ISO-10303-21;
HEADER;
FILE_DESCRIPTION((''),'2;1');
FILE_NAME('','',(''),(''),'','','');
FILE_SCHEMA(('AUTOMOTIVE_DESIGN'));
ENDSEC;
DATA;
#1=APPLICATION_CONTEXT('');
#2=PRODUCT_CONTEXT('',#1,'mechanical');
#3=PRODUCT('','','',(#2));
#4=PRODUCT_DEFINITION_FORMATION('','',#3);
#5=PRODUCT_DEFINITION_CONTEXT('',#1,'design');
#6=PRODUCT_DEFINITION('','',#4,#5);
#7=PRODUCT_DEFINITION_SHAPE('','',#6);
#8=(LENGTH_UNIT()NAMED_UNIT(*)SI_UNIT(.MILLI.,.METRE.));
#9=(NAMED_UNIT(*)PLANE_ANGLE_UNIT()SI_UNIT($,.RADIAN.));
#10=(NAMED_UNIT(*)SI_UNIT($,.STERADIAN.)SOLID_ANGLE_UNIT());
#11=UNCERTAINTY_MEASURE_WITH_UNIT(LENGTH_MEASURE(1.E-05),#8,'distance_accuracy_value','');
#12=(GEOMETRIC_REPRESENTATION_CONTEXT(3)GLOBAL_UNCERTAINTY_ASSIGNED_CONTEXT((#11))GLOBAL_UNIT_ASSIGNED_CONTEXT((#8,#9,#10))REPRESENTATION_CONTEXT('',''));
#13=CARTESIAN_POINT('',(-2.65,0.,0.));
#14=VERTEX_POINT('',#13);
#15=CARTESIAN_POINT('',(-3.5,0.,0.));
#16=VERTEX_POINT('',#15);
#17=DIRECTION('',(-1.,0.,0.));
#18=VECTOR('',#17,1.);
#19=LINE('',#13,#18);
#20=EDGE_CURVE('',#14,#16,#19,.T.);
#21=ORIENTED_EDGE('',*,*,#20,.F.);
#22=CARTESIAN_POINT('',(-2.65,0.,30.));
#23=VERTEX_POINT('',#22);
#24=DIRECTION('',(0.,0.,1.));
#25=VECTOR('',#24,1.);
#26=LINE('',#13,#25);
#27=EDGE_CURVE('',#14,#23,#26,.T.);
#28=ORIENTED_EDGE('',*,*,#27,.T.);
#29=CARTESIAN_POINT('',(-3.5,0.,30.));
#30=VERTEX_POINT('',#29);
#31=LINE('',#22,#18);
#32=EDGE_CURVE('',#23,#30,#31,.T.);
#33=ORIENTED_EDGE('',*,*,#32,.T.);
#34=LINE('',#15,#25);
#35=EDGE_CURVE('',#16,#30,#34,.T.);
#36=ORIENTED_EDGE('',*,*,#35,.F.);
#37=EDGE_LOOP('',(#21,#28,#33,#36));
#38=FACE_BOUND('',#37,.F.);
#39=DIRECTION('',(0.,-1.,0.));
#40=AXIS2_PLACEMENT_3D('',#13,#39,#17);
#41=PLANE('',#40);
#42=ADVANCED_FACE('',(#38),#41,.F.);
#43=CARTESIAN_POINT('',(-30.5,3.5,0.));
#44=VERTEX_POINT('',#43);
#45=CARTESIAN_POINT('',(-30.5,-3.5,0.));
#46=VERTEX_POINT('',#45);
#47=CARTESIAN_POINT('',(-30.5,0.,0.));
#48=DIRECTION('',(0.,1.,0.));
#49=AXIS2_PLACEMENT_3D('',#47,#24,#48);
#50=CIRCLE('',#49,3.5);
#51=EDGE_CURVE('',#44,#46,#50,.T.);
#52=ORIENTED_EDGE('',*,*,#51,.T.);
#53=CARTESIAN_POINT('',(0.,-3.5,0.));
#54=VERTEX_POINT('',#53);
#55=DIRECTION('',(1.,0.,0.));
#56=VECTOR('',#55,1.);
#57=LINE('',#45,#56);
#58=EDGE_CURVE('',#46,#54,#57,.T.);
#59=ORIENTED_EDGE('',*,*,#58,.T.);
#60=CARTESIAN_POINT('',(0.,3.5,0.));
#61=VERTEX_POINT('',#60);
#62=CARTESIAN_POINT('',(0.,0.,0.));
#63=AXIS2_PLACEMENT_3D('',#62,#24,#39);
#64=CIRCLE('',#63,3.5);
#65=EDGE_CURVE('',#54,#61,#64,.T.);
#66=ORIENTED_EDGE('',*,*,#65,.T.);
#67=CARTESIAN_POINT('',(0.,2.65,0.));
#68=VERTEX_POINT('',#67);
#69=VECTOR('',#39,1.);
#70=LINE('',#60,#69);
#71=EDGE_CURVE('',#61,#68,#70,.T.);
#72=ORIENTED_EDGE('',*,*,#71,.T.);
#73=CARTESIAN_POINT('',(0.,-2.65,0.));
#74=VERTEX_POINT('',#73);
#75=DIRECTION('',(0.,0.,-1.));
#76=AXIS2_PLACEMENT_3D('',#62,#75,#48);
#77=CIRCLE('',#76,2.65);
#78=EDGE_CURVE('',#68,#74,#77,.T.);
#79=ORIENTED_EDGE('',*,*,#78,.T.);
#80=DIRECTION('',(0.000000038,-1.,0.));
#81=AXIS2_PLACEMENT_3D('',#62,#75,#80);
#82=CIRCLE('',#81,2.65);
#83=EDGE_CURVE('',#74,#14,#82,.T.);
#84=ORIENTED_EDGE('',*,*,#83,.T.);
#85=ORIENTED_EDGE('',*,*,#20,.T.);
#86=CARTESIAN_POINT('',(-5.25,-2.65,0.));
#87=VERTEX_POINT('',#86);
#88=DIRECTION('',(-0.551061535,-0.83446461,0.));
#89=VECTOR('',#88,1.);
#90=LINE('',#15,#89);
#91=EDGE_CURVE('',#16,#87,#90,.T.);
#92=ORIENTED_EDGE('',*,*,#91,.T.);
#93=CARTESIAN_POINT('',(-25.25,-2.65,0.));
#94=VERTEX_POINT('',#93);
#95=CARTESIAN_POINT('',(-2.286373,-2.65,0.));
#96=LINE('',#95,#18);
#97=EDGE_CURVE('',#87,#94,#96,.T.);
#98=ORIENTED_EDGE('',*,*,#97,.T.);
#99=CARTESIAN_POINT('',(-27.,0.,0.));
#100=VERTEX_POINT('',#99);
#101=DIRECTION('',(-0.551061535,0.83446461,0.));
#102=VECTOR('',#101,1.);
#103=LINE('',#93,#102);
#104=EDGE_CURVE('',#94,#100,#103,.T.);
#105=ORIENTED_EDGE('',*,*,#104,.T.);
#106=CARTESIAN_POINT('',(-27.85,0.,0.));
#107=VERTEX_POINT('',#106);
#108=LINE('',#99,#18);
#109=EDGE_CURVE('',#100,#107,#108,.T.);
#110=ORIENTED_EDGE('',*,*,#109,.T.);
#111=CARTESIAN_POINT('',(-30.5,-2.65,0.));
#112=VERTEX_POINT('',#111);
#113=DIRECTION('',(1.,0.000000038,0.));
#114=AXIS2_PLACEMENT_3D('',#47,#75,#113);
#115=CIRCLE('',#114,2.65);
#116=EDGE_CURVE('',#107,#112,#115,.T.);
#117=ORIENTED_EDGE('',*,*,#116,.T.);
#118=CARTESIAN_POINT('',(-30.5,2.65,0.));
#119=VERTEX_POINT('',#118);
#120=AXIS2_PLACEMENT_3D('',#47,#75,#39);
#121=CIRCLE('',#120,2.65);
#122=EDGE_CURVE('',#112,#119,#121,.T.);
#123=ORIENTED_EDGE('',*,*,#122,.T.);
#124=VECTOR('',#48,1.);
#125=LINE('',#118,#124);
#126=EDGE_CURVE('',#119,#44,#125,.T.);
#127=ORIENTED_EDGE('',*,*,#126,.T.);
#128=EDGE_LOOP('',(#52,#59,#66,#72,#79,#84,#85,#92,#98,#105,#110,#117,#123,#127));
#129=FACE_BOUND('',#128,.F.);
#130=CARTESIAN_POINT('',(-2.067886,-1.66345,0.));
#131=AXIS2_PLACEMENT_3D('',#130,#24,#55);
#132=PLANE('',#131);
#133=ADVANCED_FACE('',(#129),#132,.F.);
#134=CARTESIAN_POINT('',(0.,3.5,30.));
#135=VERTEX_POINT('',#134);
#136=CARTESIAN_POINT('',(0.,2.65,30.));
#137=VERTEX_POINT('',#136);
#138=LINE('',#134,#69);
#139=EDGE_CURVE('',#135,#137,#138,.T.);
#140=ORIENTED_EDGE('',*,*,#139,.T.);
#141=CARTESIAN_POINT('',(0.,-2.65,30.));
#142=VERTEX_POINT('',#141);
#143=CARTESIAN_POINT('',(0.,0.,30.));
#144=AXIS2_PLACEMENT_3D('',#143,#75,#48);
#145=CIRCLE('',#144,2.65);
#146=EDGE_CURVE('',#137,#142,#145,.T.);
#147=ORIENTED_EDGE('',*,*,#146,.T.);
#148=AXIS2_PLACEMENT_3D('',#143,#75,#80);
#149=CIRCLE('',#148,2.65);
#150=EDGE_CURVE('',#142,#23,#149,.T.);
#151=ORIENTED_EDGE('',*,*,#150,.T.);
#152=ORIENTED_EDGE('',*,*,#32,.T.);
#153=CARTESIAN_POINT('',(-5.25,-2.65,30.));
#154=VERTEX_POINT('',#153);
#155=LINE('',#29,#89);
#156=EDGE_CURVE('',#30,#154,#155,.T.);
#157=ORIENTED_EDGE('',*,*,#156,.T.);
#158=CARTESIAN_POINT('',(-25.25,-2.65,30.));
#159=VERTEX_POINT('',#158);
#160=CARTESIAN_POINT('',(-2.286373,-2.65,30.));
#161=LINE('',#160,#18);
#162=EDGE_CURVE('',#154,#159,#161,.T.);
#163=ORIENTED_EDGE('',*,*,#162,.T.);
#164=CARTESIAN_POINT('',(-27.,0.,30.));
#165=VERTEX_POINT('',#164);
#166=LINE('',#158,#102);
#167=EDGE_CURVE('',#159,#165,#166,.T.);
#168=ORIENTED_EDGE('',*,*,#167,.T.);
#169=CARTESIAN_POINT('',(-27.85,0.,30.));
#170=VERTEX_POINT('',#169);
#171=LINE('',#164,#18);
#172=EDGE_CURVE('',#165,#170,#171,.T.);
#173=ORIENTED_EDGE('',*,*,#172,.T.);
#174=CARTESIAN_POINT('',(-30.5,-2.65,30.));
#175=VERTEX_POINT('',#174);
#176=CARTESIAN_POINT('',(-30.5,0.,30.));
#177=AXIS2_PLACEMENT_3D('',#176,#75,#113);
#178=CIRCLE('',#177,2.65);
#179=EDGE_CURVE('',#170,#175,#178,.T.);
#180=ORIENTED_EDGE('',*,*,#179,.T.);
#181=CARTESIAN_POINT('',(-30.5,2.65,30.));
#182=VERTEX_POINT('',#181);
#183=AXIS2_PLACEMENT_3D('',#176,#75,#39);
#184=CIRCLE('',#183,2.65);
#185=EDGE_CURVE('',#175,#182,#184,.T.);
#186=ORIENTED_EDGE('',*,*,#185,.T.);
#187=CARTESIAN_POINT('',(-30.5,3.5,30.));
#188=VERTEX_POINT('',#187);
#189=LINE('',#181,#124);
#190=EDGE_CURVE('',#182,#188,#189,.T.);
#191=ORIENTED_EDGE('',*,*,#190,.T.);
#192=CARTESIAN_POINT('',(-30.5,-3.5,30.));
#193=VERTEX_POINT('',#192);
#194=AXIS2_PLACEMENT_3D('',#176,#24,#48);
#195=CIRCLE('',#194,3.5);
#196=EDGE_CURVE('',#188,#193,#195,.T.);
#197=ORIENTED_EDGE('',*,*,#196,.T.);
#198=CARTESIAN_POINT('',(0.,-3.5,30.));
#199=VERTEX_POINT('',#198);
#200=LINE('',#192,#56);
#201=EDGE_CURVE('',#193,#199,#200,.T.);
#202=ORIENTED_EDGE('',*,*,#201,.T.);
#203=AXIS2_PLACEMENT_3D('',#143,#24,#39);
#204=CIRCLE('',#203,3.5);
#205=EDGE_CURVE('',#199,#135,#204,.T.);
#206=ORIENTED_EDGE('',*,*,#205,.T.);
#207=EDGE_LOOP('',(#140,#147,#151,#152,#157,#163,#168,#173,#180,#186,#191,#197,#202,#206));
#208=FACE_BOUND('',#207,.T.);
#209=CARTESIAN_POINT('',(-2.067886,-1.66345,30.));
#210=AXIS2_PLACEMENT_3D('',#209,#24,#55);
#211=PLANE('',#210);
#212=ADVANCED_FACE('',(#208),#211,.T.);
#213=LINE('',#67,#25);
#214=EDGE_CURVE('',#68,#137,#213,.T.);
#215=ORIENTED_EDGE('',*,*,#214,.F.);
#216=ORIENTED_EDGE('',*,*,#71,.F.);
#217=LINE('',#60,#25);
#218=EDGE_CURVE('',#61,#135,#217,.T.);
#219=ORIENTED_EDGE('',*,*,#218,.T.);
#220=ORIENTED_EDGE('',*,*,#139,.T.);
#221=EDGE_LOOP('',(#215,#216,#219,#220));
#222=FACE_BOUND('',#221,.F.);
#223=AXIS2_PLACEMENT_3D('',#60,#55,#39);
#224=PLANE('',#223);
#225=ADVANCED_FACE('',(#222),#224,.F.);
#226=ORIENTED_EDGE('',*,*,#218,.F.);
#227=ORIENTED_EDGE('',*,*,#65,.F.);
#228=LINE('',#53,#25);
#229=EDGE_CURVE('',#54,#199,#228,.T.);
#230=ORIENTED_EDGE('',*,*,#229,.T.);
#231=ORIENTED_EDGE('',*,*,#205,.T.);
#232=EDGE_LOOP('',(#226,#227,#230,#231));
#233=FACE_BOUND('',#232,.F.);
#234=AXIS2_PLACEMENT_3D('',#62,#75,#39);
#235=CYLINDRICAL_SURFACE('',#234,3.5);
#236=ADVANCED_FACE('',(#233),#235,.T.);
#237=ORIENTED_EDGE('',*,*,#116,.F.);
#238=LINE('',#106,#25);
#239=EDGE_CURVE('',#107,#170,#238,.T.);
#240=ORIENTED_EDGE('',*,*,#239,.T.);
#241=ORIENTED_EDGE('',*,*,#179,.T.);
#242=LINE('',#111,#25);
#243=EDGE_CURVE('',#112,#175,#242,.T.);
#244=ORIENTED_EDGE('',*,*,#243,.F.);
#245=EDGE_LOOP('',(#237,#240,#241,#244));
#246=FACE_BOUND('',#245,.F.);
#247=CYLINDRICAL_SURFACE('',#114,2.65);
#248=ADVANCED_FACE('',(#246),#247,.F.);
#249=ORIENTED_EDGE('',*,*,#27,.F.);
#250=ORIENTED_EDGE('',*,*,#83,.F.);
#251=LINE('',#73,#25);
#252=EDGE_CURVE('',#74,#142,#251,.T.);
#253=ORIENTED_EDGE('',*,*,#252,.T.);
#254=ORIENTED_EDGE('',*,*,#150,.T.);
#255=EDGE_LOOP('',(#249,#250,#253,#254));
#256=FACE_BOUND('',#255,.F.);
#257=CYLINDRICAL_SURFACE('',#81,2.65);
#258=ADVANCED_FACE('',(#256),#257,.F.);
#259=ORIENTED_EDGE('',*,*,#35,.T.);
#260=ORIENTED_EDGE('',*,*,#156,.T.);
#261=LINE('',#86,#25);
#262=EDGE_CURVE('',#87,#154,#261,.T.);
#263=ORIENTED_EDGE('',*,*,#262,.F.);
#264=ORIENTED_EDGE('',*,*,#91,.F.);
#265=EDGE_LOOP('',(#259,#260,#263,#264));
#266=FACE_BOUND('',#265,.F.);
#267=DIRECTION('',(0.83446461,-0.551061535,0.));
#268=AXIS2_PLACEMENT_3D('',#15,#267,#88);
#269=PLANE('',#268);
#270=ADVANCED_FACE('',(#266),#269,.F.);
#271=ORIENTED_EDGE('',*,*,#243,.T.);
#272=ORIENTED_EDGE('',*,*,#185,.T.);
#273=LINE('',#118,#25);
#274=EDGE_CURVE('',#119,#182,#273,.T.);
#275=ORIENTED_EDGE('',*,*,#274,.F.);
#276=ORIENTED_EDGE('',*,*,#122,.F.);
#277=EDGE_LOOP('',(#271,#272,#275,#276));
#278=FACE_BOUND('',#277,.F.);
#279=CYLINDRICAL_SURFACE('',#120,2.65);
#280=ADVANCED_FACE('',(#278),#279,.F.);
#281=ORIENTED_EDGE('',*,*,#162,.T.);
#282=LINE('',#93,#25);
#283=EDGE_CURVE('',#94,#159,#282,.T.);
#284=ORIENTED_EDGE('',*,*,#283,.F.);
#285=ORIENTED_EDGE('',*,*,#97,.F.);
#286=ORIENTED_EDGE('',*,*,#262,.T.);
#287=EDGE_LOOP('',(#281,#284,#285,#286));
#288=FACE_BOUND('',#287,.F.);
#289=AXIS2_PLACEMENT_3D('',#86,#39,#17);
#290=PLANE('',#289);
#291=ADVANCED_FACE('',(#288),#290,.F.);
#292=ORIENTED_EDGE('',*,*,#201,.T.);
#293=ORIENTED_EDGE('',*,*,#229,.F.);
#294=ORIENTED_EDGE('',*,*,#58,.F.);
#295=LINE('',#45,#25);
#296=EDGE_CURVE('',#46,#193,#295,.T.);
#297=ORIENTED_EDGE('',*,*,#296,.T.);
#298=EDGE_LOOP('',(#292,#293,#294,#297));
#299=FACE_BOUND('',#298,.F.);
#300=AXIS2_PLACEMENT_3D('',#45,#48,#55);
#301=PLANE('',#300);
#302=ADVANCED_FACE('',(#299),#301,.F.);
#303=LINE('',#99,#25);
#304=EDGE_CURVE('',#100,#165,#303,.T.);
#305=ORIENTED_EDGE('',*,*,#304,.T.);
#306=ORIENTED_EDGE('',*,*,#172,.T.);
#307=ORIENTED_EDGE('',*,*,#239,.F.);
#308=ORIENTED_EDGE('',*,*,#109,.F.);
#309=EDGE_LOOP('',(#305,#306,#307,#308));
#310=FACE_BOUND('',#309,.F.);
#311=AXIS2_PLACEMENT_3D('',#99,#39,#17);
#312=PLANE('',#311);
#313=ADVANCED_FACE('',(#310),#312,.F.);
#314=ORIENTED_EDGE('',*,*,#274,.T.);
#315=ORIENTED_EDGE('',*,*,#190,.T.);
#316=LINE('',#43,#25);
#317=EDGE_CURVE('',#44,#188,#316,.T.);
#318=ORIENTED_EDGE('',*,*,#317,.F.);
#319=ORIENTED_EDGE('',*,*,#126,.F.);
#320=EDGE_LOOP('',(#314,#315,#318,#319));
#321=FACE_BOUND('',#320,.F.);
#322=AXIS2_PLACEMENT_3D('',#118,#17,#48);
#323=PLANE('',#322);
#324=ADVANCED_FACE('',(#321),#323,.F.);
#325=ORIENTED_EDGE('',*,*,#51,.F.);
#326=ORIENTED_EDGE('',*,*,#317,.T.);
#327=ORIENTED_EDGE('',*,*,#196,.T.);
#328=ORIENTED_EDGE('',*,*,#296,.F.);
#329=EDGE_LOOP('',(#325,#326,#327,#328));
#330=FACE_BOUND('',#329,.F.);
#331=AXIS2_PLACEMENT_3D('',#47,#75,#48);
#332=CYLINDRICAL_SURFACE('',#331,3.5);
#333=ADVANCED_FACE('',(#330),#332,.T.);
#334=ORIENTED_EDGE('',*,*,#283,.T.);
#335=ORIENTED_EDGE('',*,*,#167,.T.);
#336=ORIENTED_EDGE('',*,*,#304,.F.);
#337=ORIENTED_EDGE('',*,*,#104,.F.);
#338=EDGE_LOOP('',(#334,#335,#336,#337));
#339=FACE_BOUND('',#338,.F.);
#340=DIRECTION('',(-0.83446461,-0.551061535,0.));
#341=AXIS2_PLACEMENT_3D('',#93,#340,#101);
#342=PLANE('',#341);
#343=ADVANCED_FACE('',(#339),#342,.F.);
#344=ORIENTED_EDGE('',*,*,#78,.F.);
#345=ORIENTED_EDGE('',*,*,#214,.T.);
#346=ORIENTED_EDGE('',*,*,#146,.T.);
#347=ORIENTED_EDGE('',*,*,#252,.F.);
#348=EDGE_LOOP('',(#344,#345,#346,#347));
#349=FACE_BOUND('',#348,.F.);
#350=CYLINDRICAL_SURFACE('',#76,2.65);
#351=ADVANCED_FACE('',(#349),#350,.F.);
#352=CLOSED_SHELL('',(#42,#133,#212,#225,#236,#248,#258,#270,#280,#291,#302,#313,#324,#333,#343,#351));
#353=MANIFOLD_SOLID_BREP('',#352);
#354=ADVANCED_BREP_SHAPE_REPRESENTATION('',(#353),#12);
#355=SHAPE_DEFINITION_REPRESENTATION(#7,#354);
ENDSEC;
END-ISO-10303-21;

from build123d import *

# Parameters (mm, degrees)
F1_DEPTH = 30


with BuildPart() as f1:
    # F0 (on Top) → F1 (new body)
    with BuildSketch(Plane.XY):
        with BuildLine():
            ThreePointArc((0, -2.65), (-1.873833, -1.873833), (-2.65, 0))
            Line((-2.65, 0), (-3.5, 0))
            ThreePointArc((-3.5, 0), (-3.182162, -1.457343), (-2.286373, -2.65))
            Line((-2.286373, -2.65), (0, -2.65))
        make_face()
        with BuildLine():
            ThreePointArc((0, 2.65), (2.65, 0), (0, -2.65))
            Line((0, -2.65), (-2.286373, -2.65))
            ThreePointArc((-2.286373, -2.65), (-1.219631, -3.280625), (0, -3.5))
            ThreePointArc((0, -3.5), (3.5, 0), (0, 3.5))
            Line((0, 3.5), (0, 2.65))
        make_face()
        with BuildLine():
            ThreePointArc((-2.286373, -2.65), (-3.182162, -1.457343), (-3.5, 0))
            Line((-3.5, 0), (-5.25, -2.65))
            Line((-5.25, -2.65), (-2.286373, -2.65))
        make_face()
        with BuildLine():
            ThreePointArc((0, -3.5), (-1.219631, -3.280625), (-2.286373, -2.65))
            Line((-2.286373, -2.65), (-5.25, -2.65))
            Line((-5.25, -2.65), (-25.25, -2.65))
            Line((-25.25, -2.65), (-28.213627, -2.65))
            ThreePointArc((-28.213627, -2.65), (-29.280369, -3.280625), (-30.5, -3.5))
            Line((-30.5, -3.5), (0, -3.5))
        make_face()
        with BuildLine():
            Line((-28.213627, -2.65), (-25.25, -2.65))
            Line((-25.25, -2.65), (-27, 0))
            ThreePointArc((-27, 0), (-27.317838, -1.457343), (-28.213627, -2.65))
        make_face()
        with BuildLine():
            ThreePointArc((-30.5, 3.5), (-34, 0), (-30.5, -3.5))
            ThreePointArc((-30.5, -3.5), (-29.280369, -3.280625), (-28.213627, -2.65))
            Line((-28.213627, -2.65), (-30.5, -2.65))
            ThreePointArc((-30.5, -2.65), (-33.15, 0), (-30.5, 2.65))
            Line((-30.5, 2.65), (-30.5, 3.5))
        make_face()
        with BuildLine():
            Line((-30.5, -2.65), (-28.213627, -2.65))
            ThreePointArc((-28.213627, -2.65), (-27.317838, -1.457343), (-27, 0))
            Line((-27, 0), (-27.85, 0))
            ThreePointArc((-27.85, 0), (-28.626167, -1.873833), (-30.5, -2.65))
        make_face()
    extrude(amount=F1_DEPTH)


solid = f1.part
